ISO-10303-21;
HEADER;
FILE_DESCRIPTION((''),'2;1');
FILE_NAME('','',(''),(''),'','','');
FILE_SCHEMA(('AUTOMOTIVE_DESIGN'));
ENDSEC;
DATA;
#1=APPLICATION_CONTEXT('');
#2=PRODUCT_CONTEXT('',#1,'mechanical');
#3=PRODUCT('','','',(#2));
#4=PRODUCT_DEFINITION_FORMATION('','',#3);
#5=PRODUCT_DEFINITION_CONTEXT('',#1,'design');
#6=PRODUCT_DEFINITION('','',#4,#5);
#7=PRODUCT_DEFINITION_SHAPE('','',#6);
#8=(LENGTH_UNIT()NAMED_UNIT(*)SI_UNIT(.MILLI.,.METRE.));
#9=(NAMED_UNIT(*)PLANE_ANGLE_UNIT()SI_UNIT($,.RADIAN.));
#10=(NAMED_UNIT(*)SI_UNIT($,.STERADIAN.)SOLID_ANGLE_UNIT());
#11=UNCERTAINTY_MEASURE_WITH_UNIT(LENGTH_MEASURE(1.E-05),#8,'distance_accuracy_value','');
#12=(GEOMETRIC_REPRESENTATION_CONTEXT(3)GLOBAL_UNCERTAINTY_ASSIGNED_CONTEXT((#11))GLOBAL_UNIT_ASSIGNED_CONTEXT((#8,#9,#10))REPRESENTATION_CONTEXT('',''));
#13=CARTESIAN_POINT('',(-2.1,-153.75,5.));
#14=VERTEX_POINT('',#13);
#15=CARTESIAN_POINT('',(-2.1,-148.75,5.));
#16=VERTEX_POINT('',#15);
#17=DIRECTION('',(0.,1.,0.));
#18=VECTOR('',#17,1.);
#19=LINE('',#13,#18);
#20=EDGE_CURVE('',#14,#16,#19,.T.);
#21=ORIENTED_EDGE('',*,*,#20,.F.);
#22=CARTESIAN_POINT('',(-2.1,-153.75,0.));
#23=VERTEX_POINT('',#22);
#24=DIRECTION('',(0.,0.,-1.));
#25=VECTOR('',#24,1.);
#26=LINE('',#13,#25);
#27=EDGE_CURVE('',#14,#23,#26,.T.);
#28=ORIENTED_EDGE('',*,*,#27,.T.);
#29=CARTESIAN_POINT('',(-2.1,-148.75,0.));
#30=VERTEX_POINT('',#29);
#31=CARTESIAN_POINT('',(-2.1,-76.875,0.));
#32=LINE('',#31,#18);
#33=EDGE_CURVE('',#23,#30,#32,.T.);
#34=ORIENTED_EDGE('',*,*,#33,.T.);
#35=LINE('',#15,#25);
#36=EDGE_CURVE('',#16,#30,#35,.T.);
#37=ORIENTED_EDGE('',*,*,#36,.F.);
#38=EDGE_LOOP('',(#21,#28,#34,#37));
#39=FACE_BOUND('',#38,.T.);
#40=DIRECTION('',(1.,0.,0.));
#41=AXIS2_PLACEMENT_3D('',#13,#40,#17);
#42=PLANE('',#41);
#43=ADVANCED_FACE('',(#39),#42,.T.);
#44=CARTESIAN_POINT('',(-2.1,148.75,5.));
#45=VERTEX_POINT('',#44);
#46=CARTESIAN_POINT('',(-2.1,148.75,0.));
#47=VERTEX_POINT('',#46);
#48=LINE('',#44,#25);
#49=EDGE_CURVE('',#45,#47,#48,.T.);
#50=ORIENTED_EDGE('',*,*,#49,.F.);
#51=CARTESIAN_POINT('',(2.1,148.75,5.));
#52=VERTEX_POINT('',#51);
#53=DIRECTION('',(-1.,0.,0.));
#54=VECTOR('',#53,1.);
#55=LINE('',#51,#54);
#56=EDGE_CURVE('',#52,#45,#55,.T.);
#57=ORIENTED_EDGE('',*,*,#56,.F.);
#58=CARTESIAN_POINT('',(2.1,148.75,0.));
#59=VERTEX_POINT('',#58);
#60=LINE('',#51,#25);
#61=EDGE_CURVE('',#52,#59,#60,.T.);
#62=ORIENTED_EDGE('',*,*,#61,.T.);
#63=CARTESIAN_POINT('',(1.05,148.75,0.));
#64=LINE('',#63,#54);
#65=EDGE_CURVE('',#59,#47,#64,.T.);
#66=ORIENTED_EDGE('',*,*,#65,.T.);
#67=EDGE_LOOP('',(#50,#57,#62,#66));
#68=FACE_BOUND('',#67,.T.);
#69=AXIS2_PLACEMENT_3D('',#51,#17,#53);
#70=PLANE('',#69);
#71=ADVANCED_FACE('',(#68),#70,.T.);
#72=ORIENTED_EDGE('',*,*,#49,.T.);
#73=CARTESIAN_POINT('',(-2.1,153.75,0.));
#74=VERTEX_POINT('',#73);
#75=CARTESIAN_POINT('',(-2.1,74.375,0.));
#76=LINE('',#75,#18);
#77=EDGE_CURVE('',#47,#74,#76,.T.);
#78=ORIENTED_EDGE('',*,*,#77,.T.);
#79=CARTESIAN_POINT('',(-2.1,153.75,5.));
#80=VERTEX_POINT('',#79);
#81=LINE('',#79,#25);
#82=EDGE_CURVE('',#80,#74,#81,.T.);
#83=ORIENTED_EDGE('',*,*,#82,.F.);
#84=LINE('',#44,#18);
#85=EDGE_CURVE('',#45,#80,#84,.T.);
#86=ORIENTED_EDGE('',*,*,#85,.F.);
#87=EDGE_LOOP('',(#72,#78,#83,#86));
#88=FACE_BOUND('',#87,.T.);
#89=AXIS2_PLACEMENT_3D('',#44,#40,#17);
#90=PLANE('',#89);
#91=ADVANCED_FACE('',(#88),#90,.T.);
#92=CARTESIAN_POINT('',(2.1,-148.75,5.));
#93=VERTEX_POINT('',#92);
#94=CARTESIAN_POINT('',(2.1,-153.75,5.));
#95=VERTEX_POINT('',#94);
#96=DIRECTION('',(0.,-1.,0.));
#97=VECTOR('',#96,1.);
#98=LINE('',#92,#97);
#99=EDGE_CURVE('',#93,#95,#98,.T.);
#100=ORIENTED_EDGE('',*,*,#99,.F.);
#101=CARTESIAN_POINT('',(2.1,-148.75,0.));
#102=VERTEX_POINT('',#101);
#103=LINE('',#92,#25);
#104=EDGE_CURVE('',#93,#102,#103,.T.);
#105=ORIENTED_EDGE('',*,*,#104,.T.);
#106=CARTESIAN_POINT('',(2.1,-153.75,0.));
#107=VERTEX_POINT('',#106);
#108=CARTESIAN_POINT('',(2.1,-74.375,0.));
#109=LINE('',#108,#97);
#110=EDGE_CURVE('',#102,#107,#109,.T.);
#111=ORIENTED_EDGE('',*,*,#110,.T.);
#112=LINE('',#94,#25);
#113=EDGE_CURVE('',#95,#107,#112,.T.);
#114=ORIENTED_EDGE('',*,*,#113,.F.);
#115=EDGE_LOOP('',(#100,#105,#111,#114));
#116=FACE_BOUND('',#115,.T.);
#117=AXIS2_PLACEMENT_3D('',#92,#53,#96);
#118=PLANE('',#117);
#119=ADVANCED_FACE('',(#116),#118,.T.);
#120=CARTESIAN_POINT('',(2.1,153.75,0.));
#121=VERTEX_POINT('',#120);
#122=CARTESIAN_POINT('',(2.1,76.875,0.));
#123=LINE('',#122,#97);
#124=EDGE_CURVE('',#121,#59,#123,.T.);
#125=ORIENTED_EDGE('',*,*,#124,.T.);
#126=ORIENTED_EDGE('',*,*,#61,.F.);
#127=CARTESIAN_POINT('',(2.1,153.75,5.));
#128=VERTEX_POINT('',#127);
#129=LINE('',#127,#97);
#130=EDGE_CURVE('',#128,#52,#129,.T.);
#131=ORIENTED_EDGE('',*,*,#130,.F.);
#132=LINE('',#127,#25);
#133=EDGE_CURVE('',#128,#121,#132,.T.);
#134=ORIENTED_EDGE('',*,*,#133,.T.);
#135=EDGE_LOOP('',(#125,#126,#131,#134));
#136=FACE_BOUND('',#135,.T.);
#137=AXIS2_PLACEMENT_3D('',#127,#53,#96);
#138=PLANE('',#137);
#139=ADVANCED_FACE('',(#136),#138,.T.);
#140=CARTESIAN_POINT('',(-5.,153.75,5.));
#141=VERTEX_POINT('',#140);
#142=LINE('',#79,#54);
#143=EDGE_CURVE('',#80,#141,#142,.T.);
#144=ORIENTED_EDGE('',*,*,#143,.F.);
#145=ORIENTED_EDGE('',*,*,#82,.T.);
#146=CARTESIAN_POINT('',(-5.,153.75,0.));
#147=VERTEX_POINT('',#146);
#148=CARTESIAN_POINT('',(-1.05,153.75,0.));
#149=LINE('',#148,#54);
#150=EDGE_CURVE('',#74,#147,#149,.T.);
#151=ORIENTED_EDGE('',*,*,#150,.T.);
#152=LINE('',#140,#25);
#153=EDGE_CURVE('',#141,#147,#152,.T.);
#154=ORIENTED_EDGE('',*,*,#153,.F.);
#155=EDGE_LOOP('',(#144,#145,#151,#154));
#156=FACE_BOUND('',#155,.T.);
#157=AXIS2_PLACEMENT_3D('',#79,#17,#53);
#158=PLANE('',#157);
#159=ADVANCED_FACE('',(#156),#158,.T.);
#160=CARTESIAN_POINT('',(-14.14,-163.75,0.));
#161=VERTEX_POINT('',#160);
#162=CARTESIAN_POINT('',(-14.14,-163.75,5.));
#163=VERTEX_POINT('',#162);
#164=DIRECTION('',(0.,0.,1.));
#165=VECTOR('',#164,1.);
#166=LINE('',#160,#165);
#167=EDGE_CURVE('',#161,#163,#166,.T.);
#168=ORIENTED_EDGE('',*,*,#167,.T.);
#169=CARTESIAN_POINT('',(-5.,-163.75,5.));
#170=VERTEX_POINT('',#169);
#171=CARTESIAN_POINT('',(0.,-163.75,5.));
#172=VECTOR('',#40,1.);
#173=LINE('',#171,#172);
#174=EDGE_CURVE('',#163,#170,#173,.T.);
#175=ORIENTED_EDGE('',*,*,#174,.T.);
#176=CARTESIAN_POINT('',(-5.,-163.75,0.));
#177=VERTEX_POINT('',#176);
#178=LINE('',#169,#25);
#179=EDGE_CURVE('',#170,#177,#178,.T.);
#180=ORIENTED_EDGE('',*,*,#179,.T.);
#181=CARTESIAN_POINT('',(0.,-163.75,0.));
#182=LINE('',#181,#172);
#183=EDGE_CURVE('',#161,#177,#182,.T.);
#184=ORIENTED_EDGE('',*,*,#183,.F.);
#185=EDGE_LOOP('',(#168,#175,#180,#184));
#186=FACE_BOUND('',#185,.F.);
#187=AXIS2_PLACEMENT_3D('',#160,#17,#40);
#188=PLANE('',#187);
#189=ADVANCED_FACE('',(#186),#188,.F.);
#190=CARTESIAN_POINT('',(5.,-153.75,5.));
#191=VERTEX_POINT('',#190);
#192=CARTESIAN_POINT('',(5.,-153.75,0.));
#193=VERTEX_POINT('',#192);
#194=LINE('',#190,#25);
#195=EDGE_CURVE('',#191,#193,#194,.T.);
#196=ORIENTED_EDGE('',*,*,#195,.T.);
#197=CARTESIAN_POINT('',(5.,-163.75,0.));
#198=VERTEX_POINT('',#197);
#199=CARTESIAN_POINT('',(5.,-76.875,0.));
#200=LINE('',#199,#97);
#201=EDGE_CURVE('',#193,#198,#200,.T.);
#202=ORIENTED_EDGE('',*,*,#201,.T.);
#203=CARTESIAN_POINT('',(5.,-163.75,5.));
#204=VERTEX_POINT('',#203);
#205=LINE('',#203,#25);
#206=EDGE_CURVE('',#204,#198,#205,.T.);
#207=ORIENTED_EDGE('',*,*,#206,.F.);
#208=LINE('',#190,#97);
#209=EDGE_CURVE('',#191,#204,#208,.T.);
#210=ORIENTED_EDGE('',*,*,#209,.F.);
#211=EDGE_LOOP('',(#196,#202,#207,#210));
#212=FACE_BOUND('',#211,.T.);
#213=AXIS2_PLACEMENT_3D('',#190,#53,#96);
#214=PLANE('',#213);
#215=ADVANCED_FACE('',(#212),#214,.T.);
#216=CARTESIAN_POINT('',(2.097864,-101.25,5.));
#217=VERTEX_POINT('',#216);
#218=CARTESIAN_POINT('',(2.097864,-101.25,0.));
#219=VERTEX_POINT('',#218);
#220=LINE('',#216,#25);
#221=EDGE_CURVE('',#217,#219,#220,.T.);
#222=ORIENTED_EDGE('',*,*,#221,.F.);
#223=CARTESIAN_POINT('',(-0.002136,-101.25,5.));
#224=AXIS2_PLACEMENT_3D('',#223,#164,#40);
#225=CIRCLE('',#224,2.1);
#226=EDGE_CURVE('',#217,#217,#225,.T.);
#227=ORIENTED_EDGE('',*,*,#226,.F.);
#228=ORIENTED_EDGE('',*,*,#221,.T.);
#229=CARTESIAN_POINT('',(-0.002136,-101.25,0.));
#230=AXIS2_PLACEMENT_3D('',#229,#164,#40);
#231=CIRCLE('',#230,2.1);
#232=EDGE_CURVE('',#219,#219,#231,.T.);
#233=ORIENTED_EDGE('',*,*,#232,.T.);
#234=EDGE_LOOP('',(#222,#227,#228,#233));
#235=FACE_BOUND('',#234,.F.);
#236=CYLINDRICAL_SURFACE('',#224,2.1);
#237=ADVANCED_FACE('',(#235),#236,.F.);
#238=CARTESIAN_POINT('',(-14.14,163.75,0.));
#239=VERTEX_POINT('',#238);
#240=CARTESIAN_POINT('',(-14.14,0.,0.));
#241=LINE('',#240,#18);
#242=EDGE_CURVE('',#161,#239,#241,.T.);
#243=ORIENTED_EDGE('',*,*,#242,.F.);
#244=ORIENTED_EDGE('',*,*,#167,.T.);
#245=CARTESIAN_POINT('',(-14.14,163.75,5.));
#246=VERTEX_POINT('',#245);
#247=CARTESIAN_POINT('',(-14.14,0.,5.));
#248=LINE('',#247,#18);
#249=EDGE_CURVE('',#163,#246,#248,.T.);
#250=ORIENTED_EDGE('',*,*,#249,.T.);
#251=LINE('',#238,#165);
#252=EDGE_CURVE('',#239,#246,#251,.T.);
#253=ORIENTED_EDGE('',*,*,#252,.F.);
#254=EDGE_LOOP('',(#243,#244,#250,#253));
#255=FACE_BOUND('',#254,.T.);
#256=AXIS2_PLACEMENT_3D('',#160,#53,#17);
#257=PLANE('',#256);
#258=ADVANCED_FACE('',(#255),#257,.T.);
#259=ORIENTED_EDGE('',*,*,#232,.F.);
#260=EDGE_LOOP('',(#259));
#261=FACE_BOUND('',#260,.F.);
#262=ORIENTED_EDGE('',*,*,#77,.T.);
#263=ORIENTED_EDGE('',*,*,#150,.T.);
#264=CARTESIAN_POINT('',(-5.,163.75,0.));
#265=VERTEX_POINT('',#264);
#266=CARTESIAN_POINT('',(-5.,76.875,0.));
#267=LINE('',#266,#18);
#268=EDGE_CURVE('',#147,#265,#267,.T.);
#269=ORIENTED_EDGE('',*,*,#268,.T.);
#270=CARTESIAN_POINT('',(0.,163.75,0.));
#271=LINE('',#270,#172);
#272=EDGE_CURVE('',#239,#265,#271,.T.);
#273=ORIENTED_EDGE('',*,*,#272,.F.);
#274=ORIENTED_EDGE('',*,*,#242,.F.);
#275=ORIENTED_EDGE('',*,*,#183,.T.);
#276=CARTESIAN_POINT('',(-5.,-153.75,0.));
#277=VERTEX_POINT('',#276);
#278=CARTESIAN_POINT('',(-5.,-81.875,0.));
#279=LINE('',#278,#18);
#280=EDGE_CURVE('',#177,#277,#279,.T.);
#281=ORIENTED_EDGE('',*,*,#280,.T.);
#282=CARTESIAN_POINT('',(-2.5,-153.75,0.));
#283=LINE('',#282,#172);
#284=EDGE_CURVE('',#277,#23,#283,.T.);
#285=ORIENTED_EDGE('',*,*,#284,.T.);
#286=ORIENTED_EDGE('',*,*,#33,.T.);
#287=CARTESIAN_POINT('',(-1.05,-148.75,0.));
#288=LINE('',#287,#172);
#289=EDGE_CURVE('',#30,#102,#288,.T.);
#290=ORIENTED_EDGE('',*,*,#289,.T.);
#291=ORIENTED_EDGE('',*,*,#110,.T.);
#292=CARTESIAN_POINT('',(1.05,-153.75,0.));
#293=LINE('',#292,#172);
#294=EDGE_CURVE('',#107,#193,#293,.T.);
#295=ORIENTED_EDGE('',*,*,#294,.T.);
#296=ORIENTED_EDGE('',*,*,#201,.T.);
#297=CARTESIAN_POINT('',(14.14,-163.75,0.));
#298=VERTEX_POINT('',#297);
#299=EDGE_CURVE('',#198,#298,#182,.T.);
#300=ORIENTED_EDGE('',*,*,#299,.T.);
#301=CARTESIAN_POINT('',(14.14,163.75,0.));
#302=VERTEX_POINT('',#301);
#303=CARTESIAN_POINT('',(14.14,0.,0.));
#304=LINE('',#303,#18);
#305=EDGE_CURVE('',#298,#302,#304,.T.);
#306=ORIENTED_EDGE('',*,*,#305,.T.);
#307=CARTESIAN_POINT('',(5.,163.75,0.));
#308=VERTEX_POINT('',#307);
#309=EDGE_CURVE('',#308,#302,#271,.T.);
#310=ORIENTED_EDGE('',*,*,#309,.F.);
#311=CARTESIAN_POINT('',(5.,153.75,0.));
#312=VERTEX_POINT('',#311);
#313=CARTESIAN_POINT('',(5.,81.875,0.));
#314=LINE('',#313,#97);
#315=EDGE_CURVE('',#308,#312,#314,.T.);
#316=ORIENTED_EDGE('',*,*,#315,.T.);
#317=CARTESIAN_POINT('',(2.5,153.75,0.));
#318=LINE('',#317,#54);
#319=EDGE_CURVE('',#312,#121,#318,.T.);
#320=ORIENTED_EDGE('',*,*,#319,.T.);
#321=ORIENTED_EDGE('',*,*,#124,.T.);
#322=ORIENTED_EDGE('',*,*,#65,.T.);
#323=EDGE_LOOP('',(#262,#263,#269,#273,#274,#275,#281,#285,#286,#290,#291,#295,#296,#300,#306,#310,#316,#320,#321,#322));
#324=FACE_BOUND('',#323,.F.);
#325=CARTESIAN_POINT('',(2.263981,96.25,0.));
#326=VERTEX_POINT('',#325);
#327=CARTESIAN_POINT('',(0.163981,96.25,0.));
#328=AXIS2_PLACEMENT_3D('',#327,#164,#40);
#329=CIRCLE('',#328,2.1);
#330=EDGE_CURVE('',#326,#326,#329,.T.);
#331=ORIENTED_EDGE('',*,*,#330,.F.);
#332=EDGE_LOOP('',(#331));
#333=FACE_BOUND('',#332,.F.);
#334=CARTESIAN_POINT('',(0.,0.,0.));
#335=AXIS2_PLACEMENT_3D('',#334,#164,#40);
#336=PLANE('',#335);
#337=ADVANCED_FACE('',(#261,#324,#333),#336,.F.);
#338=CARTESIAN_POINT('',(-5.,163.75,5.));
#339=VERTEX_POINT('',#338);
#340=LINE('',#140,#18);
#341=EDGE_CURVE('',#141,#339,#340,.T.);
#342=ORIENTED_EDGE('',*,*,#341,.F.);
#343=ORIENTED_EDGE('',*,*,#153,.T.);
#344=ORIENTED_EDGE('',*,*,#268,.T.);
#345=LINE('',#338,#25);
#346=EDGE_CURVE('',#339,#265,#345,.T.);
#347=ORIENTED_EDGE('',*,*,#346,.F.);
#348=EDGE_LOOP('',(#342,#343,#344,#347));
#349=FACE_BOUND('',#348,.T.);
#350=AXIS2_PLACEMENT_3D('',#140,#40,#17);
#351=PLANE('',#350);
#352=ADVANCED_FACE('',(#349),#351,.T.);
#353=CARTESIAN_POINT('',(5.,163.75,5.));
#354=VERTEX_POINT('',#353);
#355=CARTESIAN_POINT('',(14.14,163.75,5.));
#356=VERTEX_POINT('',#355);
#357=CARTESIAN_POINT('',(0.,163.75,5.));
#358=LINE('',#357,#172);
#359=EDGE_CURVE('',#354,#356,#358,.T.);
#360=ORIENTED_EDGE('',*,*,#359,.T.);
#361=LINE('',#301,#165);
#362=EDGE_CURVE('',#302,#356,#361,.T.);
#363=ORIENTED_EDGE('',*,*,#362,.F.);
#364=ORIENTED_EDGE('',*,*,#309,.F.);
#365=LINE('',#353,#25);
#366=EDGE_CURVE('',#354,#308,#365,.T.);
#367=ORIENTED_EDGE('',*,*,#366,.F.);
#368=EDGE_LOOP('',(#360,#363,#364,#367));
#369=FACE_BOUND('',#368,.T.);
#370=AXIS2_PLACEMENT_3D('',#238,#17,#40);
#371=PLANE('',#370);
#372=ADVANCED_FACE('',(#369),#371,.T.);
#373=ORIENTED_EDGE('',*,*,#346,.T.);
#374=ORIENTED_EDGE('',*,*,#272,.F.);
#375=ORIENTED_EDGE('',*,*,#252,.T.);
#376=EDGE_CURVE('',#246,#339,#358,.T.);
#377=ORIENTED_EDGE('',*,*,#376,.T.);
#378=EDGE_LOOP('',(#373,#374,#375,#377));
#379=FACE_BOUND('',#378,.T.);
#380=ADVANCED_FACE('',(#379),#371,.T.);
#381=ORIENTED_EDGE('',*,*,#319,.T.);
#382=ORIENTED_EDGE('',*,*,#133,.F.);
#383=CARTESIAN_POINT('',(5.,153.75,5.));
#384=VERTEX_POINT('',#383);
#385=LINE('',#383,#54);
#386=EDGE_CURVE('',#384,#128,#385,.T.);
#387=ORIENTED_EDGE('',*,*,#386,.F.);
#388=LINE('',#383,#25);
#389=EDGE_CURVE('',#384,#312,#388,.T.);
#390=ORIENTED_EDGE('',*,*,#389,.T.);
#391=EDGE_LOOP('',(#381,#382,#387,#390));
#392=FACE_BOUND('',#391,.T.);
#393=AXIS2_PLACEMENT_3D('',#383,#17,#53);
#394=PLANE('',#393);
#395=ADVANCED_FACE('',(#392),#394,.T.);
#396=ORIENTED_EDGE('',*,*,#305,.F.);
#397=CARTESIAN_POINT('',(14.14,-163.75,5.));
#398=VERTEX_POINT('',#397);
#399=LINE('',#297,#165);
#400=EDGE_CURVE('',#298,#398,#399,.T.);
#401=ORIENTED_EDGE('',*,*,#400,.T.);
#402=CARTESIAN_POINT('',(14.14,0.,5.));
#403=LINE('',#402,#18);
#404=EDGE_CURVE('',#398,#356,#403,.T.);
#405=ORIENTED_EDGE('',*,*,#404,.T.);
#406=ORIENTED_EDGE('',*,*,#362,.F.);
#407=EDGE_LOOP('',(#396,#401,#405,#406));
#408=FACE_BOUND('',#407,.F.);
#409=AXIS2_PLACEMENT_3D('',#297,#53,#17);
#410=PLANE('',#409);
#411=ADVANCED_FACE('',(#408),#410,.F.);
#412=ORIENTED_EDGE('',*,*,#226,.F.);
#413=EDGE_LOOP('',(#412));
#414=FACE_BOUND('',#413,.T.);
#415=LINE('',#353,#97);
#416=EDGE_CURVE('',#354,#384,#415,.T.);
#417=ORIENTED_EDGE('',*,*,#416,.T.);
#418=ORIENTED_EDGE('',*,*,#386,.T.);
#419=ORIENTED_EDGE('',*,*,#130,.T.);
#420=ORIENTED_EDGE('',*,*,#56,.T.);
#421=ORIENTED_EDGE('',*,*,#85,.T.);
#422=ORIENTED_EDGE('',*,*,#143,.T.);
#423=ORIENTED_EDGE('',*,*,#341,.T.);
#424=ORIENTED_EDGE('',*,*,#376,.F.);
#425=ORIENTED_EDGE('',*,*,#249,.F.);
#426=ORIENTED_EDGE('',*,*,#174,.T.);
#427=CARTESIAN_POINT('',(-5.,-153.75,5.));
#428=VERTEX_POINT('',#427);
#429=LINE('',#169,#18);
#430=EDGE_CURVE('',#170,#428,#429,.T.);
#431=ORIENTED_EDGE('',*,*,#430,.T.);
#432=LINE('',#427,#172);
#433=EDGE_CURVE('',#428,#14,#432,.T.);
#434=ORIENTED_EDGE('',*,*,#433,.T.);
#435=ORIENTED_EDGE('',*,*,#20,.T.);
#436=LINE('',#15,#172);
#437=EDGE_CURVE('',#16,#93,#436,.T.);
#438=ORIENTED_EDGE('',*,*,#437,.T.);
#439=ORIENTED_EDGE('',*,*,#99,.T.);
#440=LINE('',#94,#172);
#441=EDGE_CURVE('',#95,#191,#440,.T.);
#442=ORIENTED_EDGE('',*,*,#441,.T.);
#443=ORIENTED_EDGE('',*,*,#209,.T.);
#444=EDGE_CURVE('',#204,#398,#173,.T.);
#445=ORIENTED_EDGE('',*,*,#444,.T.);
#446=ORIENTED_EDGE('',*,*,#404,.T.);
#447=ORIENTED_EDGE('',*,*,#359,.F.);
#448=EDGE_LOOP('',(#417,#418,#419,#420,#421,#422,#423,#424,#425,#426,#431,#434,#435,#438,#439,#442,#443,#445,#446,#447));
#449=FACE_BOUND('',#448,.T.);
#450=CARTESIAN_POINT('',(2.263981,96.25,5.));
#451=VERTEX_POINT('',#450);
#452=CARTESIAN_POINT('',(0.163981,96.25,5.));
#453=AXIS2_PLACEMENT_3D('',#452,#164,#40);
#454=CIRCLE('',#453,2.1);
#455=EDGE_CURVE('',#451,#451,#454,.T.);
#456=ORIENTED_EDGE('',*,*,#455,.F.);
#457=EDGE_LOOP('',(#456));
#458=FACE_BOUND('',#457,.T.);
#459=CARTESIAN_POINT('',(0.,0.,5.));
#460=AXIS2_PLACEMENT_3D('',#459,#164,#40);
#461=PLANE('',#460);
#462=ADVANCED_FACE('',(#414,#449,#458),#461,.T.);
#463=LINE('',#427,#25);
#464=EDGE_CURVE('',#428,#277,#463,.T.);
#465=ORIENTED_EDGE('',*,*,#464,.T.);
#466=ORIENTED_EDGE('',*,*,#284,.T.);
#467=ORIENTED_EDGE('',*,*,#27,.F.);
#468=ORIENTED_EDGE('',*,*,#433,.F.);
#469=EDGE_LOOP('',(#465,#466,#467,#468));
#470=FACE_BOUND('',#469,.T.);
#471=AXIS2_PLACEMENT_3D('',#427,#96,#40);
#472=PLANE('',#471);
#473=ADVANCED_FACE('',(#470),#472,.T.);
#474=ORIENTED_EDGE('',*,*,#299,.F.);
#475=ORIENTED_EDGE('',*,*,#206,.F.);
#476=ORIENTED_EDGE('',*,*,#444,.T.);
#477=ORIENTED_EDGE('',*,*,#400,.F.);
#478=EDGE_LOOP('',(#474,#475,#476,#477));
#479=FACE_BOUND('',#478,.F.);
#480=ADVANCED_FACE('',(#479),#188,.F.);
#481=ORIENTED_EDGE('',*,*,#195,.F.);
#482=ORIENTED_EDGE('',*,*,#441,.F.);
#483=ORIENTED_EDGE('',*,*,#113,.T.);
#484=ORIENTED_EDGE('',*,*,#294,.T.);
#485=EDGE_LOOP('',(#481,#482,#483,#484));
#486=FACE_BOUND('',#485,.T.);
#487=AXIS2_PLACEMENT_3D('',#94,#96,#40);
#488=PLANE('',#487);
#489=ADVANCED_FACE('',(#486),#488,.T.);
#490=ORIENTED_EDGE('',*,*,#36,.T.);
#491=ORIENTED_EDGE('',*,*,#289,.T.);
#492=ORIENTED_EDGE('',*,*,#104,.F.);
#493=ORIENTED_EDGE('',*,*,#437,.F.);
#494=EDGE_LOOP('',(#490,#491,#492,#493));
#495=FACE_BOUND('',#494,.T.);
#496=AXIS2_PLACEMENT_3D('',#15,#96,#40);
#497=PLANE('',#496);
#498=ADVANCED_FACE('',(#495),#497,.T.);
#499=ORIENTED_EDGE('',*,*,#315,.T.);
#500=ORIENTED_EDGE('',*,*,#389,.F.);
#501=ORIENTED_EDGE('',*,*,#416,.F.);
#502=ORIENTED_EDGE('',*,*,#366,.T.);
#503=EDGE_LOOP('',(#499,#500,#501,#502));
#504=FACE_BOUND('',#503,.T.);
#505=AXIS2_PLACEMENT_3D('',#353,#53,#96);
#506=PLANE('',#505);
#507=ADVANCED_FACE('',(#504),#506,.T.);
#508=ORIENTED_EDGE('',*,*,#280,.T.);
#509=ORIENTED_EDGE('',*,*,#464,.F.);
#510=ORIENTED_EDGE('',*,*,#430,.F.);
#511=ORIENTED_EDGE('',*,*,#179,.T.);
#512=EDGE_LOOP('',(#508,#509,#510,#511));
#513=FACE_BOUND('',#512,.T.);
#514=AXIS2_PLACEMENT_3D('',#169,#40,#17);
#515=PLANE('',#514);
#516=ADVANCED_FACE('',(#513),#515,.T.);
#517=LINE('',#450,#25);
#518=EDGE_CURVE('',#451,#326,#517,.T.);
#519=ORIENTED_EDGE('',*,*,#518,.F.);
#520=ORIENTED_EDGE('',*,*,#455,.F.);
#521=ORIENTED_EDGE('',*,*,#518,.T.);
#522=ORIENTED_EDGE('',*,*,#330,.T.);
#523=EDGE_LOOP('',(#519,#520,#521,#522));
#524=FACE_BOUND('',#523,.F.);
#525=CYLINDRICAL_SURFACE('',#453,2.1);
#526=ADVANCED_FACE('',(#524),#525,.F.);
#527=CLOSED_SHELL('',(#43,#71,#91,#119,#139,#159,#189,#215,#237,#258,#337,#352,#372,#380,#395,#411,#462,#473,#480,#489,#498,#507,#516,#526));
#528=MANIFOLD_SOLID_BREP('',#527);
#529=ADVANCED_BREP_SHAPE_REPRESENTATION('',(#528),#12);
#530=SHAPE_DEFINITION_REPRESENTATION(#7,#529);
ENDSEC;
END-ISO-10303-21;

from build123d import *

# Parameters (mm, degrees)
SKETCH1_W           = 28.28
SKETCH1_H           = 327.5
BOSS_EXTRUDE1_DEPTH = 5
SKETCH2_R           = 2.1
CUT_EXTRUDE1_DEPTH  = 10
SKETCH3_R           = 2.1
CUT_EXTRUDE2_DEPTH  = 10


with BuildPart() as part:
    # Sketch1 → Boss-Extrude1 (new body)
    with BuildSketch(Plane.XY):
        Rectangle(SKETCH1_W, SKETCH1_H)
    extrude(amount=BOSS_EXTRUDE1_DEPTH)

    # Sketch2 → Cut-Extrude1 (cut)
    with BuildSketch(Plane.XY.offset(5)):
        with Locations((0.1639809, 96.25)):
            Circle(SKETCH2_R)
        Polygon((5, 163.75), (5, 153.75), (2.1, 153.75), (2.1, 148.75), (-2.1, 148.75), (-2.1, 153.75), (-5, 153.75), (-5, 163.75), align=None)
        Polygon((-5, -163.75), (-5, -153.75), (-2.1, -153.75), (-2.1, -148.75), (2.1, -148.75), (2.1, -153.75), (5, -153.75), (5, -163.75), align=None)
    extrude(amount=-CUT_EXTRUDE1_DEPTH, mode=Mode.SUBTRACT)

    # Sketch3 → Cut-Extrude2 (cut)
    with BuildSketch(Plane.XY.offset(5)):
        with Locations((-0.002135624, -101.25)):
            Circle(SKETCH3_R)
    extrude(amount=-CUT_EXTRUDE2_DEPTH, mode=Mode.SUBTRACT)


solid = part.part
